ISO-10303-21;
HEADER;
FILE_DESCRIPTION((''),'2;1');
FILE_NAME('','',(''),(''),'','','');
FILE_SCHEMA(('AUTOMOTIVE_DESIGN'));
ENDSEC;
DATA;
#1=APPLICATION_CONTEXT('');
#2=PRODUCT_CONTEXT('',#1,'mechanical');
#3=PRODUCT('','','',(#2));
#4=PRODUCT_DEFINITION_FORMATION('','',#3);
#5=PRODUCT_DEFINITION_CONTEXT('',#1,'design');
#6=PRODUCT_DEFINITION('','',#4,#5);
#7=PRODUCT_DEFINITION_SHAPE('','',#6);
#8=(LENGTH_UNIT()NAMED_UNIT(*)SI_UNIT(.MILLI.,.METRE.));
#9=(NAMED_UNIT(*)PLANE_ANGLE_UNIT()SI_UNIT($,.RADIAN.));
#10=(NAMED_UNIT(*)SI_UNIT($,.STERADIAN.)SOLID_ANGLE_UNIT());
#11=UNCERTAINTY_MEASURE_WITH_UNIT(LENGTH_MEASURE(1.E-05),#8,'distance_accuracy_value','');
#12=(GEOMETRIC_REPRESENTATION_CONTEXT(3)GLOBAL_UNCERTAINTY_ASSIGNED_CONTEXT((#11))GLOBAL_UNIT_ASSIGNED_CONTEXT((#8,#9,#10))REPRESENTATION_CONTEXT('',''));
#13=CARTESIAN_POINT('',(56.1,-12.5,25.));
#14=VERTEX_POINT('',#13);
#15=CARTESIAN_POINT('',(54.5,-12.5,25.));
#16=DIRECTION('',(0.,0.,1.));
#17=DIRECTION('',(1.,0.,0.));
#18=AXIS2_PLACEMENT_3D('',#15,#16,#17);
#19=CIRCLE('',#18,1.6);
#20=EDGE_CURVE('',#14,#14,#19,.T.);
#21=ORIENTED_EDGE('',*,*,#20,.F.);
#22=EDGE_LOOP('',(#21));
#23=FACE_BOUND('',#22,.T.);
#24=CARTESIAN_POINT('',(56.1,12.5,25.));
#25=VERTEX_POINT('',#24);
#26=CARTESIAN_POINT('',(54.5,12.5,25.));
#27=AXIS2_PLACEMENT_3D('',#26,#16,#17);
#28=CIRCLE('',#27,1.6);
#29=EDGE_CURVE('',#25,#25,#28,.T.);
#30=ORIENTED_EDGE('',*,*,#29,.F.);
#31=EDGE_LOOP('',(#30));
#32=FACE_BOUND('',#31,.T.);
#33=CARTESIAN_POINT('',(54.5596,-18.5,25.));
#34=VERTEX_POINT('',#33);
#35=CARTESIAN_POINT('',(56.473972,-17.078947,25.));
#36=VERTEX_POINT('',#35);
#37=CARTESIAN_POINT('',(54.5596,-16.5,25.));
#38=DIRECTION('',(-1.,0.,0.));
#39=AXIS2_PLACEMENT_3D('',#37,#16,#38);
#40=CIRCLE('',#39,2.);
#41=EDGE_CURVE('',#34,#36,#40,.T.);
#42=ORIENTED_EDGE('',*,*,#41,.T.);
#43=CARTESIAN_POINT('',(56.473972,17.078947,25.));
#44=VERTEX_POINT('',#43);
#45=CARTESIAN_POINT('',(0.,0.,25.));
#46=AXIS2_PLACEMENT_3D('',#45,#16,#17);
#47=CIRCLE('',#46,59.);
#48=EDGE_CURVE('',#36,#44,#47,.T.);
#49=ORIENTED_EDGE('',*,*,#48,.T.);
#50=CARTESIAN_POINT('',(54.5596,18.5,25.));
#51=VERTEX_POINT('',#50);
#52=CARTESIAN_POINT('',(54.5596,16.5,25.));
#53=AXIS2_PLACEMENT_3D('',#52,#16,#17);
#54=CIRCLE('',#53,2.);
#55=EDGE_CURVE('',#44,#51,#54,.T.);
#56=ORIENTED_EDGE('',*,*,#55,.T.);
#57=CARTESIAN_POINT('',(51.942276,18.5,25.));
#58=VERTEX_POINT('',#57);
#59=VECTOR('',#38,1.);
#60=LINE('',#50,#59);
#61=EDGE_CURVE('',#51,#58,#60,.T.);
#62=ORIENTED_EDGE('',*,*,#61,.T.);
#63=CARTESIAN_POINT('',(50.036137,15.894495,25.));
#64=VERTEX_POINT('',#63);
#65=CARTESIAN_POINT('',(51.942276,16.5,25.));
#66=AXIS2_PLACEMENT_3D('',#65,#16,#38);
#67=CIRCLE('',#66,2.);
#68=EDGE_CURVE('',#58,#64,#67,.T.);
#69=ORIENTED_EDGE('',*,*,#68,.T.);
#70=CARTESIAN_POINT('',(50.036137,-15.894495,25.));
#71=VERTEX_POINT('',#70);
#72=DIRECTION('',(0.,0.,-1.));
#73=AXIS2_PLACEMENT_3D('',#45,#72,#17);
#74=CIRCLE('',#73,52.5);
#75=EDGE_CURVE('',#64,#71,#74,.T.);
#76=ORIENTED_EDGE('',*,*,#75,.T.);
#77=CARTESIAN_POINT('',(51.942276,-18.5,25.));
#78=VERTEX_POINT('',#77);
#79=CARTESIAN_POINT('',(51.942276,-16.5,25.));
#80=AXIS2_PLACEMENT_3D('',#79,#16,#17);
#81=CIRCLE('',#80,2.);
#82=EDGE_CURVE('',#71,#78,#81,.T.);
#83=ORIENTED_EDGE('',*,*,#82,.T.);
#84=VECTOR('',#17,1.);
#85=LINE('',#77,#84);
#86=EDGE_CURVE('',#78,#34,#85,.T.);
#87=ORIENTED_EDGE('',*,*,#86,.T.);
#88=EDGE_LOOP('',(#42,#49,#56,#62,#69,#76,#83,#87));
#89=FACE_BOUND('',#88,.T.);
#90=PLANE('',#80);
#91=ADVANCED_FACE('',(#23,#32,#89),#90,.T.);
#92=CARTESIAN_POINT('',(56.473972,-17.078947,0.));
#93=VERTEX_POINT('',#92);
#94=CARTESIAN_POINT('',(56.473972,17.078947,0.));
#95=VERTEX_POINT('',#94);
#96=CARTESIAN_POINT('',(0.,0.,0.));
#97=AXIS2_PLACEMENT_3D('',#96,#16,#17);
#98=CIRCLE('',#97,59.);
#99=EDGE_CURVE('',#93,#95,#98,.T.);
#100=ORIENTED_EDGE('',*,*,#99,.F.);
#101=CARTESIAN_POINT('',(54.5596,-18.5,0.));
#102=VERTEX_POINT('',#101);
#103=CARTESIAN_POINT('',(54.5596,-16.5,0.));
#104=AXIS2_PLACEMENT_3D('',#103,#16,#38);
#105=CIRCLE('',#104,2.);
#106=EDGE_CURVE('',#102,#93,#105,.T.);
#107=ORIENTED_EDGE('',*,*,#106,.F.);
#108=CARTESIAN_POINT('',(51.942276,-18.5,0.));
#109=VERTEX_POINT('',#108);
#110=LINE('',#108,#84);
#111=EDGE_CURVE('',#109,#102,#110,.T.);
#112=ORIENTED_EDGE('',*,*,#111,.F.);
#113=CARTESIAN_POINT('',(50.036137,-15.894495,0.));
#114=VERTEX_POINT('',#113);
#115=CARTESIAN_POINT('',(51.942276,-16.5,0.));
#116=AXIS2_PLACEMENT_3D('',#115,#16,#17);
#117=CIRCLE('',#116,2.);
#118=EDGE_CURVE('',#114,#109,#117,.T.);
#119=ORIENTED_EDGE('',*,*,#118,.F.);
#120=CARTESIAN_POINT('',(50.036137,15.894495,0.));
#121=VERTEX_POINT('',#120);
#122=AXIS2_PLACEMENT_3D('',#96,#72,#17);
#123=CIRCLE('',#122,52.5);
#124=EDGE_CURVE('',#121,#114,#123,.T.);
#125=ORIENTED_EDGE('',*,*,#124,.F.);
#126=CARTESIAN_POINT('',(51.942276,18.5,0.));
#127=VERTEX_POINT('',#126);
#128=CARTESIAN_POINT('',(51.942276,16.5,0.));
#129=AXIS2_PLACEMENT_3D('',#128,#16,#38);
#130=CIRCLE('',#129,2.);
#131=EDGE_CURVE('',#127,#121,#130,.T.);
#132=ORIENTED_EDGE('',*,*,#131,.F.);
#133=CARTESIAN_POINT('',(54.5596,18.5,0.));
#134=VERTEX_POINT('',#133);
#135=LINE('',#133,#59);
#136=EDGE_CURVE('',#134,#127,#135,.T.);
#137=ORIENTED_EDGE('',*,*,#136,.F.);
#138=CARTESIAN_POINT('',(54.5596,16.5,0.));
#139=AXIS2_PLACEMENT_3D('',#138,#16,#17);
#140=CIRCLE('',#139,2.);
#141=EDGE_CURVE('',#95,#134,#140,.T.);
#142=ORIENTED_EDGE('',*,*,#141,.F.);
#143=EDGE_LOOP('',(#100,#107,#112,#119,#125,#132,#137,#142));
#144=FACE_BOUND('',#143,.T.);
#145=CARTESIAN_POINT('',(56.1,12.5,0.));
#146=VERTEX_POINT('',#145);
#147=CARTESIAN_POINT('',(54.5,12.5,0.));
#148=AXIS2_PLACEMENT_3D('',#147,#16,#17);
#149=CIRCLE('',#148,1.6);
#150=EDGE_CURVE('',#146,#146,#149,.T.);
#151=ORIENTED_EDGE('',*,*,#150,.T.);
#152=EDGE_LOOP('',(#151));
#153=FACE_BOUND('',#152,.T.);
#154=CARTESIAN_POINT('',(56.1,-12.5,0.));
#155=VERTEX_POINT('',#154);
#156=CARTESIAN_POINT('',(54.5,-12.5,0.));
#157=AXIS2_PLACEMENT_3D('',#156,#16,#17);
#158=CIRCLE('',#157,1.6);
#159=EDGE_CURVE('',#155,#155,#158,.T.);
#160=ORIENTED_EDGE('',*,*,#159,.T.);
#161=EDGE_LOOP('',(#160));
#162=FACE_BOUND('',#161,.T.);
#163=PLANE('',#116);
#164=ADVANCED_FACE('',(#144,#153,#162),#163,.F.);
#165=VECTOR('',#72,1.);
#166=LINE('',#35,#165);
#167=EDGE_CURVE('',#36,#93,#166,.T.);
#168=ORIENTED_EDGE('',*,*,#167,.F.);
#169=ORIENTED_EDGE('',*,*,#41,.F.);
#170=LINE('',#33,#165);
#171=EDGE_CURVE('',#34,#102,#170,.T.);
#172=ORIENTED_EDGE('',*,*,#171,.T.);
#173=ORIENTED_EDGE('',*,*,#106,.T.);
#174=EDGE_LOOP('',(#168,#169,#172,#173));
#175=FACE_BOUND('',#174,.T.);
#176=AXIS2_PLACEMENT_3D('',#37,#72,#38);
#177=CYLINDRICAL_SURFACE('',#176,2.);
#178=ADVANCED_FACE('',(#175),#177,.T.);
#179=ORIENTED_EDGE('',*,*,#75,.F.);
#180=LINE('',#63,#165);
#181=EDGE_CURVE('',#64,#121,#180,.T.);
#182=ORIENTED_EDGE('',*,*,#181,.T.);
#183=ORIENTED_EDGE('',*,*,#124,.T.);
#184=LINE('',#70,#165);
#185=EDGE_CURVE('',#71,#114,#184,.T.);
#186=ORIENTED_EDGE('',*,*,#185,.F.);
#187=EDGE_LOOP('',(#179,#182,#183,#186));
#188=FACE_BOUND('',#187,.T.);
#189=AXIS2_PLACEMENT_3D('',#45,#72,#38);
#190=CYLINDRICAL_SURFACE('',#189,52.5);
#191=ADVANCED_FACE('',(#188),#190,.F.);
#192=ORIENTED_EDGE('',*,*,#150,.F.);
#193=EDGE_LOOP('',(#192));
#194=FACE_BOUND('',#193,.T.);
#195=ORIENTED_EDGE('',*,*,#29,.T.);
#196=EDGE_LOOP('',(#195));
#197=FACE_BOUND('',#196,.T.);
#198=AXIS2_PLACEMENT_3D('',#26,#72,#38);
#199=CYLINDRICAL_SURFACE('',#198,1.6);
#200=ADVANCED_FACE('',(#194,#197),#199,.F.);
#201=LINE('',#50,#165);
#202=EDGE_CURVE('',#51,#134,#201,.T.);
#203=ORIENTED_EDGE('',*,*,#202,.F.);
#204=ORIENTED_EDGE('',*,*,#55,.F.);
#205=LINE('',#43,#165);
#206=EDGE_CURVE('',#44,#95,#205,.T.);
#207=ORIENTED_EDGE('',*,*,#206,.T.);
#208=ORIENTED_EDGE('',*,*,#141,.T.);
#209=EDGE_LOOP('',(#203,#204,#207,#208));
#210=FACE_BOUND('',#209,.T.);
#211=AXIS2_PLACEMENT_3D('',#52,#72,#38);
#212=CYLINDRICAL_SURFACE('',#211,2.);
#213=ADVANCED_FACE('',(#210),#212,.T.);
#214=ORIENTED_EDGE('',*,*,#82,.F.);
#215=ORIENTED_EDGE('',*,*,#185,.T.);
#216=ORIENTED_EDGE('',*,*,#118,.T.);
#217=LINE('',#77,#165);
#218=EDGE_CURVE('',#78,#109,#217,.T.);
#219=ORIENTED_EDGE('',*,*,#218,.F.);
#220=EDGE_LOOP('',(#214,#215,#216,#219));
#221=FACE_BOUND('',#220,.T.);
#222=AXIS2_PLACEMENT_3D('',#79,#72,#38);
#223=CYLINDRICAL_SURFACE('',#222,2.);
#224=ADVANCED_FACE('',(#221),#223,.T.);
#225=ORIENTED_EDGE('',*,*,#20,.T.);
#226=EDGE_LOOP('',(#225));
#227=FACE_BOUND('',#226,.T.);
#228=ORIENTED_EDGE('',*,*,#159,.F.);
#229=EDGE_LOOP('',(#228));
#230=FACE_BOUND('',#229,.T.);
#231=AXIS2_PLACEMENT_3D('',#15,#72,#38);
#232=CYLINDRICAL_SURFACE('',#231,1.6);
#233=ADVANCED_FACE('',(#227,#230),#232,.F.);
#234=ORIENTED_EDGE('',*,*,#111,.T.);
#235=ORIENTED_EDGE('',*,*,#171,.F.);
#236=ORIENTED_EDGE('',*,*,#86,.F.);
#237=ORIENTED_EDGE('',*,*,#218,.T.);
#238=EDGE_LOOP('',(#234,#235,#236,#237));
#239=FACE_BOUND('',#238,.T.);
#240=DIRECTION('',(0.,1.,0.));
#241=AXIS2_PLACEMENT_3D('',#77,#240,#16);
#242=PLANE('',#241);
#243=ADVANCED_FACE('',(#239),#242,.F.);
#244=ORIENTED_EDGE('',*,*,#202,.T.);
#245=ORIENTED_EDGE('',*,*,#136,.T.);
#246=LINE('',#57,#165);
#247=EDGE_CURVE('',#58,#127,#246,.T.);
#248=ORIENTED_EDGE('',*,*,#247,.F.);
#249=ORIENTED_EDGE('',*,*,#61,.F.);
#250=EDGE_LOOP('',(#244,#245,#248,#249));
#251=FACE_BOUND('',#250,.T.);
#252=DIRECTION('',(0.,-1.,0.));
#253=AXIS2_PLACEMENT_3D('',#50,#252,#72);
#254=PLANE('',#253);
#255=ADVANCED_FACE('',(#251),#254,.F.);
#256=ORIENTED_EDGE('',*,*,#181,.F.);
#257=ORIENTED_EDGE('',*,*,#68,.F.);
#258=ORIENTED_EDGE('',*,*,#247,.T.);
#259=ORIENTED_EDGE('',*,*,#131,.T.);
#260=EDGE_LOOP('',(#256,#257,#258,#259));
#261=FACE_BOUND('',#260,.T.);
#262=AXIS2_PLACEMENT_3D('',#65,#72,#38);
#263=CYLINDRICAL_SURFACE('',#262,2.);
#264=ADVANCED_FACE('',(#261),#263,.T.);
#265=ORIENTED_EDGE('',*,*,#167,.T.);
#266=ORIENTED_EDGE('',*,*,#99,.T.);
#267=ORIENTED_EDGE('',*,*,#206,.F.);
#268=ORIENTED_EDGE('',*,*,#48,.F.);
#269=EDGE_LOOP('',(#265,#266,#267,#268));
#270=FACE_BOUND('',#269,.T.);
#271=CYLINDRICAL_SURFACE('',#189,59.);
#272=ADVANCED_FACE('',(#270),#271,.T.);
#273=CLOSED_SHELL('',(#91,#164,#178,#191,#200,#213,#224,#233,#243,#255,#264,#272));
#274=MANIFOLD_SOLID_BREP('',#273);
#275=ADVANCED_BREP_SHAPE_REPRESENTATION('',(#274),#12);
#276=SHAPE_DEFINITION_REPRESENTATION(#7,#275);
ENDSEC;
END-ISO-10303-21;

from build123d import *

# Parameters (mm, degrees)
SKETCH1_R           = 1.6
BOSS_EXTRUDE1_DEPTH = 25


with BuildPart() as part:
    # Sketch1 → Boss-Extrude1 (new body)
    with BuildSketch(Plane(origin=(0, 0, 0), x_dir=(0, 1, 0), z_dir=(0, 0, 1))):
        with BuildLine():
            Line((-18.5, -51.942275653), (-18.5, -54.559600438))
            ThreePointArc((-18.5, -54.559600438), (-18.105910137, -55.75167956), (-17.078947368, -56.473972384))
            ThreePointArc((-17.078947368, -56.473972384), (0, -59), (17.078947368, -56.473972384))
            ThreePointArc((17.078947368, -56.473972384), (18.105910137, -55.75167956), (18.5, -54.559600438))
            Line((18.5, -54.559600438), (18.5, -51.942275653))
            ThreePointArc((18.5, -51.942275653), (17.680887553, -50.328118106), (15.894495413, -50.036137097))
            ThreePointArc((15.894495413, -50.036137097), (0, -52.5), (-15.894495413, -50.036137097))
            ThreePointArc((-15.894495413, -50.036137097), (-17.680887553, -50.328118106), (-18.5, -51.942275653))
        make_face()
        with Locations(Location((-12.5, -54.5, 0), (0, 0, 270))):
            Circle(SKETCH1_R, mode=Mode.SUBTRACT)
        with Locations(Location((12.5, -54.5, 0), (0, 0, 270))):
            Circle(SKETCH1_R, mode=Mode.SUBTRACT)
    extrude(amount=BOSS_EXTRUDE1_DEPTH)


solid = part.part
